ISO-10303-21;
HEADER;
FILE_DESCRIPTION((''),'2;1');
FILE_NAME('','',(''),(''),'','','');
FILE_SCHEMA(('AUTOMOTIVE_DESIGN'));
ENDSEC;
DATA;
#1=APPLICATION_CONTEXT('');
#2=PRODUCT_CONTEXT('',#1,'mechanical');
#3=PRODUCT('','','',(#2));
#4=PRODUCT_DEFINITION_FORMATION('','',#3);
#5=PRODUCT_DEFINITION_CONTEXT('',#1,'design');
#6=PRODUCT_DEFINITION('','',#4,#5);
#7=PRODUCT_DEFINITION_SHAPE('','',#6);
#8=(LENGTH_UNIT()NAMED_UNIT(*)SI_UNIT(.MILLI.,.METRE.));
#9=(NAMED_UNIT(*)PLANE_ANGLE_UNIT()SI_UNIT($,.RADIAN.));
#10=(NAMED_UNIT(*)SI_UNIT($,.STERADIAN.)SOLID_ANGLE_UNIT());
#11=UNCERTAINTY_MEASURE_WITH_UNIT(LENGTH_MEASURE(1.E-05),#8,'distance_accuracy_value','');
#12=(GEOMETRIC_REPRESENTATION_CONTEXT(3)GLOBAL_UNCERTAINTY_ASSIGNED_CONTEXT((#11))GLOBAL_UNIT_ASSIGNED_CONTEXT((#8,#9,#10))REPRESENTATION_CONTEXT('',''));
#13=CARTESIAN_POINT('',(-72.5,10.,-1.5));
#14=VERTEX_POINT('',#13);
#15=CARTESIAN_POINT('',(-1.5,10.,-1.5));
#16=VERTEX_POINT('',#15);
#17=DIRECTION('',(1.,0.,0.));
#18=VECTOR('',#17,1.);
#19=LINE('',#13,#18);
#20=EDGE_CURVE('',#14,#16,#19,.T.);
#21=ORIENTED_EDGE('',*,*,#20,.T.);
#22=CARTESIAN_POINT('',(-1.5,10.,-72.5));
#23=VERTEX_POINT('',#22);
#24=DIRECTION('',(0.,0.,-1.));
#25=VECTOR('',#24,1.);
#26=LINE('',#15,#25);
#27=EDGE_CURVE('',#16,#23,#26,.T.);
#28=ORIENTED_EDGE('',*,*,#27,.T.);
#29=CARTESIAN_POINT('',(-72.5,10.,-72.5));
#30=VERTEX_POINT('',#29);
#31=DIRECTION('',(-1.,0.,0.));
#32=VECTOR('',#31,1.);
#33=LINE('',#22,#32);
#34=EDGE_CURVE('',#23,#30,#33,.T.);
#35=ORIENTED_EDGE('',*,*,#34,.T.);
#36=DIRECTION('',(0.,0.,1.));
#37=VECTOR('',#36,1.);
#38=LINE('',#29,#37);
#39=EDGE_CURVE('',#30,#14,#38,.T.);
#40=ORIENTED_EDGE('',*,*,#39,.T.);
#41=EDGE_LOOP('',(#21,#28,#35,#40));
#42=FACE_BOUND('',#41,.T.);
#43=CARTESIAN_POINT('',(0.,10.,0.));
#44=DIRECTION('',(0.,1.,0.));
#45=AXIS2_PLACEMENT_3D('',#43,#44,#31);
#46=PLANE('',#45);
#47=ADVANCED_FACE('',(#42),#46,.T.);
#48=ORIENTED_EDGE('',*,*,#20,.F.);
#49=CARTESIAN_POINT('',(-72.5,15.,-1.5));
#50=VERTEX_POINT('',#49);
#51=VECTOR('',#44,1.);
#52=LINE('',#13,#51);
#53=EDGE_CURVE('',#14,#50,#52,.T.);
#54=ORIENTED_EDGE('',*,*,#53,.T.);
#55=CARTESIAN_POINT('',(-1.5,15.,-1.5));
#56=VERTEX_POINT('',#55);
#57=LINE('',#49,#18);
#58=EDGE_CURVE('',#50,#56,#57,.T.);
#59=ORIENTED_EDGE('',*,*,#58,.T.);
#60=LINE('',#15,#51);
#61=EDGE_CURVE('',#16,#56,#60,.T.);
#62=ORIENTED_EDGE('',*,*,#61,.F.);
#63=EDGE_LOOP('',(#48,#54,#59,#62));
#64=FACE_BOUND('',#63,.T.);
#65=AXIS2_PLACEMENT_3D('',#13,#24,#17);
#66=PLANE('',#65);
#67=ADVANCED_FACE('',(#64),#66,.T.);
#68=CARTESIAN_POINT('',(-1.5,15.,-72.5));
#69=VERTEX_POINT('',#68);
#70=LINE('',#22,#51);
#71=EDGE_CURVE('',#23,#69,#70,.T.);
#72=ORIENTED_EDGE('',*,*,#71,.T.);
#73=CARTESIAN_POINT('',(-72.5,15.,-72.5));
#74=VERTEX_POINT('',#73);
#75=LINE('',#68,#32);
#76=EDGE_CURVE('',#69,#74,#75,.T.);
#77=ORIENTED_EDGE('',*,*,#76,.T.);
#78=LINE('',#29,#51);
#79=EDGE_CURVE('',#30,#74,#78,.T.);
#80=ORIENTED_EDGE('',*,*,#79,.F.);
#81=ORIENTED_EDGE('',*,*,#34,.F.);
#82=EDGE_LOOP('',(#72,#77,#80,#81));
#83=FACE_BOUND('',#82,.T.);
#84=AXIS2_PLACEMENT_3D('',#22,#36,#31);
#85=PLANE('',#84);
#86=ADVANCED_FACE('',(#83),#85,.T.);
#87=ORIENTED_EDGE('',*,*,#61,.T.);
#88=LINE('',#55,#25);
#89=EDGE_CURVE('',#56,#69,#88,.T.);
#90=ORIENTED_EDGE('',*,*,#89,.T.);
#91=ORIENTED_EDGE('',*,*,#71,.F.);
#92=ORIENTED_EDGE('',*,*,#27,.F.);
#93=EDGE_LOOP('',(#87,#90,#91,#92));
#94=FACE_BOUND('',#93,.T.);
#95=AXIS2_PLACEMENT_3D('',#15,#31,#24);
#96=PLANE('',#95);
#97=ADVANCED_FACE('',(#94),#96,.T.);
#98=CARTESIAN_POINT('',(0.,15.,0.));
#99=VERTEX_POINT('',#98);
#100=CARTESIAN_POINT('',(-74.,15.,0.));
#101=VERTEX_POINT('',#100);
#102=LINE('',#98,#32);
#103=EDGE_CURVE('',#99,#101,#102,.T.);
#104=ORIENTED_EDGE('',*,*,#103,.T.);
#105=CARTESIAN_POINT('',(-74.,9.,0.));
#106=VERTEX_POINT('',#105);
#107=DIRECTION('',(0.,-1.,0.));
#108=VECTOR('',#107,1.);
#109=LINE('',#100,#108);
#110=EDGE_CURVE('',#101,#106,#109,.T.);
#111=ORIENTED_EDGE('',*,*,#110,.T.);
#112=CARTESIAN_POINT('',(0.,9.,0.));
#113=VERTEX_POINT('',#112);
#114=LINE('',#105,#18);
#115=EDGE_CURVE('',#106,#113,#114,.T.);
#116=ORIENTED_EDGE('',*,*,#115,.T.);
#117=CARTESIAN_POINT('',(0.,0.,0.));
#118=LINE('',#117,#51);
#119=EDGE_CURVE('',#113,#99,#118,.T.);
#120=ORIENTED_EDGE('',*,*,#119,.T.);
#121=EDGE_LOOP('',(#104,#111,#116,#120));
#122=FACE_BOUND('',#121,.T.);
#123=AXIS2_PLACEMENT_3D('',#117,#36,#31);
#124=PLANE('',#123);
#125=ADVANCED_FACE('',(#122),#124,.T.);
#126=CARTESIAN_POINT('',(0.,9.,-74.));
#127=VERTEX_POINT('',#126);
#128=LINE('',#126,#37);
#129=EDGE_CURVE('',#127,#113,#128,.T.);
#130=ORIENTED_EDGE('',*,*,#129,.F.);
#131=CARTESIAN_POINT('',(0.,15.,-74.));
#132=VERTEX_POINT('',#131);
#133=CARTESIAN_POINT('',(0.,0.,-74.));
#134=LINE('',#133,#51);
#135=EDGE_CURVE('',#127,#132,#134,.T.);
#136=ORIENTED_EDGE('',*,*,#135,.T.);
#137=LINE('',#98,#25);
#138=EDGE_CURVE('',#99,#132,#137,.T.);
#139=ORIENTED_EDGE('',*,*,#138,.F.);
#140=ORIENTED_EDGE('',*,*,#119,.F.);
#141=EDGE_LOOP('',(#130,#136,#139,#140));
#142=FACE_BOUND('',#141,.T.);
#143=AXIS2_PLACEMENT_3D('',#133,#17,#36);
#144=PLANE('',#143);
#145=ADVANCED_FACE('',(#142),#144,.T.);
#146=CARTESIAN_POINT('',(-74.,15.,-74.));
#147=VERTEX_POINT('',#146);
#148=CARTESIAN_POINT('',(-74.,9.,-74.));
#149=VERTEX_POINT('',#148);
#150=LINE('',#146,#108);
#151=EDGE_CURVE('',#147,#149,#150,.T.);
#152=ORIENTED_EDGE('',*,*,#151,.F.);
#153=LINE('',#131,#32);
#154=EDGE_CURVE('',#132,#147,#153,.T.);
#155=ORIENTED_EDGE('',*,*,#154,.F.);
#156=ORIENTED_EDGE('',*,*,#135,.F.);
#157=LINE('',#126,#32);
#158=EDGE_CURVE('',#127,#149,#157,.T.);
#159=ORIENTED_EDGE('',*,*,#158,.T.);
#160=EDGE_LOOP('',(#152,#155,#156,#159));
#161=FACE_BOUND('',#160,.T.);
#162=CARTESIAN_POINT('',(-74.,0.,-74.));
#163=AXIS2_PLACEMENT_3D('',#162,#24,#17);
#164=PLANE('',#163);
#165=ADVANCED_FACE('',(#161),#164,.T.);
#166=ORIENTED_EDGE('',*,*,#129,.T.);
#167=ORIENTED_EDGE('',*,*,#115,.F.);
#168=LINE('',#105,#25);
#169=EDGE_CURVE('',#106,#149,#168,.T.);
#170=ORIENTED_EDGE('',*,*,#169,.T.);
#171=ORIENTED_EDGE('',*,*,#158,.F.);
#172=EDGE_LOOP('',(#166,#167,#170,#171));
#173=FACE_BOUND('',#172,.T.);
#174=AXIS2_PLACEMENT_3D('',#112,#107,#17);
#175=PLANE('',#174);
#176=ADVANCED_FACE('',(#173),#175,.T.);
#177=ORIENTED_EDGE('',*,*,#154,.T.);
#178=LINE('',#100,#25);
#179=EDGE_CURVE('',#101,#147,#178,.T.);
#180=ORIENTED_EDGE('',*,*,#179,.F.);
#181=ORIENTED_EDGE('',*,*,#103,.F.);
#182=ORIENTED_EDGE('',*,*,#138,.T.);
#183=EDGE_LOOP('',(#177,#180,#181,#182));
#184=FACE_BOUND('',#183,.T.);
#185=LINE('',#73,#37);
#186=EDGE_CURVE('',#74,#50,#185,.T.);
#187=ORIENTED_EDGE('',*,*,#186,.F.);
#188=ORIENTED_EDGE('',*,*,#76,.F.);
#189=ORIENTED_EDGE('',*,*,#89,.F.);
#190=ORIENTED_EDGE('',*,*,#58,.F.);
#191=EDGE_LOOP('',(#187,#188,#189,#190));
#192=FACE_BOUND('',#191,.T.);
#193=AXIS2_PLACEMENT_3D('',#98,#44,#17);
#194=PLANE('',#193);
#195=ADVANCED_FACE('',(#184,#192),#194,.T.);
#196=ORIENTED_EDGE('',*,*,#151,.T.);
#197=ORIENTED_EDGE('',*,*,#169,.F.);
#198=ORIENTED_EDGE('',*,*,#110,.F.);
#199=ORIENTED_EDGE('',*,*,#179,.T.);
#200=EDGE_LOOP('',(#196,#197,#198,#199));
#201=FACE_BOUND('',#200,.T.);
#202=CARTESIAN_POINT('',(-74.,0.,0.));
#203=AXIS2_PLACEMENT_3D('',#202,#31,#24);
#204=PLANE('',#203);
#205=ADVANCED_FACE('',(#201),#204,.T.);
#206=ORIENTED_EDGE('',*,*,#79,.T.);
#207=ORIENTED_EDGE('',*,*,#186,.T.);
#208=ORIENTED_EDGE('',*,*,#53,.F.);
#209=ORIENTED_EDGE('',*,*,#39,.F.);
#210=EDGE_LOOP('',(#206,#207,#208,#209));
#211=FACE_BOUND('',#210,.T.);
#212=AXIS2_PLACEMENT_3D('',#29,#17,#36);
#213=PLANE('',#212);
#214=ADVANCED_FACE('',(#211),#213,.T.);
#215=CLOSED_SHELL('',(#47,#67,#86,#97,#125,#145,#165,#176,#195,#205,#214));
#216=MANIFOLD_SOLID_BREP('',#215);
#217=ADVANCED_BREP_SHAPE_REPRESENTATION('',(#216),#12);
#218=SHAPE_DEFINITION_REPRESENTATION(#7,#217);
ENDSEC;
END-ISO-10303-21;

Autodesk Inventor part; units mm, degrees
ref_plane "YZ Plane" through (0, 0, 0) normal (1, 0, 0) x (0, 1, 0)
ref_plane "XZ Plane" through (0, 0, 0) normal (0, 1, 0) x (-1, 0, 0)
ref_plane "XY Plane" through (0, 0, 0) normal (0, 0, 1) x (1, 0, 0)
sketch "Sketch1" plane through (0, 0, 0) normal (0, 1, 0) x (-1, 0, 0)
  line L0 (0, 0) -> (74, 0)
  line L1 (74, 0) -> (74, -74)
  line L2 (74, -74) -> (0, -74)
  line L3 (0, -74) -> (0, 0)
  dimension "d0" = 74
  dimension "d1" = 74
extrude "Extrusion1" add sketch "Sketch1" along normal blind 10
sketch "Sketch2" plane through (0, 10, 0) normal (0, 1, 0) x (1, 0, 0)
  line L0 (0, 0) -> (0, 74) projected
  line L1 (0, 74) -> (-74, 74) projected
  line L2 (0, 0) -> (-74, 0)
  line L3 (-74, 0) -> (-74, 74)
  line L4 (-74, 74) -> (0, 74)
  line L5 (0, 74) -> (0, 0)
  line L6 (-72.5, 72.5) -> (-72.5, 1.5)
  line L7 (-72.5, 1.5) -> (-1.5, 1.5)
  line L8 (-1.5, 1.5) -> (-1.5, 72.5)
  line L9 (-1.5, 72.5) -> (-72.5, 72.5)
  dimension "d4" = 1.5
extrude "Extrusion2" add sketch "Sketch2" along normal blind 5
sketch "Sketch3" plane through (0, 0, 0) normal (0, -1, 0) x (1, 0, 0)
  line L0 (0, 0) -> (0, -74) projected
  line L1 (0, 0) -> (-74, 0)
  line L2 (-74, 0) -> (-74, -74)
  line L3 (-74, -74) -> (0, -74)
  line L4 (0, -74) -> (0, 0)
extrude "Extrusion3" cut sketch "Sketch3" against normal blind 5
sketch "Sketch4" plane through (0, 5, 0) normal (0, -1, 0) x (1, 0, 0)
  line L0 (0, -74) -> (-74, -74) projected
  line L1 (-74, 0) -> (0, 0) projected
  line L2 (-74, -74) -> (0, -74)
  line L3 (0, -74) -> (0, 0)
  line L4 (0, 0) -> (-74, 0)
  line L5 (-74, 0) -> (-74, -74)
extrude "Extrusion4" cut sketch "Sketch4" against normal blind 4
properties part number "DiffusorCapUltrathin"
